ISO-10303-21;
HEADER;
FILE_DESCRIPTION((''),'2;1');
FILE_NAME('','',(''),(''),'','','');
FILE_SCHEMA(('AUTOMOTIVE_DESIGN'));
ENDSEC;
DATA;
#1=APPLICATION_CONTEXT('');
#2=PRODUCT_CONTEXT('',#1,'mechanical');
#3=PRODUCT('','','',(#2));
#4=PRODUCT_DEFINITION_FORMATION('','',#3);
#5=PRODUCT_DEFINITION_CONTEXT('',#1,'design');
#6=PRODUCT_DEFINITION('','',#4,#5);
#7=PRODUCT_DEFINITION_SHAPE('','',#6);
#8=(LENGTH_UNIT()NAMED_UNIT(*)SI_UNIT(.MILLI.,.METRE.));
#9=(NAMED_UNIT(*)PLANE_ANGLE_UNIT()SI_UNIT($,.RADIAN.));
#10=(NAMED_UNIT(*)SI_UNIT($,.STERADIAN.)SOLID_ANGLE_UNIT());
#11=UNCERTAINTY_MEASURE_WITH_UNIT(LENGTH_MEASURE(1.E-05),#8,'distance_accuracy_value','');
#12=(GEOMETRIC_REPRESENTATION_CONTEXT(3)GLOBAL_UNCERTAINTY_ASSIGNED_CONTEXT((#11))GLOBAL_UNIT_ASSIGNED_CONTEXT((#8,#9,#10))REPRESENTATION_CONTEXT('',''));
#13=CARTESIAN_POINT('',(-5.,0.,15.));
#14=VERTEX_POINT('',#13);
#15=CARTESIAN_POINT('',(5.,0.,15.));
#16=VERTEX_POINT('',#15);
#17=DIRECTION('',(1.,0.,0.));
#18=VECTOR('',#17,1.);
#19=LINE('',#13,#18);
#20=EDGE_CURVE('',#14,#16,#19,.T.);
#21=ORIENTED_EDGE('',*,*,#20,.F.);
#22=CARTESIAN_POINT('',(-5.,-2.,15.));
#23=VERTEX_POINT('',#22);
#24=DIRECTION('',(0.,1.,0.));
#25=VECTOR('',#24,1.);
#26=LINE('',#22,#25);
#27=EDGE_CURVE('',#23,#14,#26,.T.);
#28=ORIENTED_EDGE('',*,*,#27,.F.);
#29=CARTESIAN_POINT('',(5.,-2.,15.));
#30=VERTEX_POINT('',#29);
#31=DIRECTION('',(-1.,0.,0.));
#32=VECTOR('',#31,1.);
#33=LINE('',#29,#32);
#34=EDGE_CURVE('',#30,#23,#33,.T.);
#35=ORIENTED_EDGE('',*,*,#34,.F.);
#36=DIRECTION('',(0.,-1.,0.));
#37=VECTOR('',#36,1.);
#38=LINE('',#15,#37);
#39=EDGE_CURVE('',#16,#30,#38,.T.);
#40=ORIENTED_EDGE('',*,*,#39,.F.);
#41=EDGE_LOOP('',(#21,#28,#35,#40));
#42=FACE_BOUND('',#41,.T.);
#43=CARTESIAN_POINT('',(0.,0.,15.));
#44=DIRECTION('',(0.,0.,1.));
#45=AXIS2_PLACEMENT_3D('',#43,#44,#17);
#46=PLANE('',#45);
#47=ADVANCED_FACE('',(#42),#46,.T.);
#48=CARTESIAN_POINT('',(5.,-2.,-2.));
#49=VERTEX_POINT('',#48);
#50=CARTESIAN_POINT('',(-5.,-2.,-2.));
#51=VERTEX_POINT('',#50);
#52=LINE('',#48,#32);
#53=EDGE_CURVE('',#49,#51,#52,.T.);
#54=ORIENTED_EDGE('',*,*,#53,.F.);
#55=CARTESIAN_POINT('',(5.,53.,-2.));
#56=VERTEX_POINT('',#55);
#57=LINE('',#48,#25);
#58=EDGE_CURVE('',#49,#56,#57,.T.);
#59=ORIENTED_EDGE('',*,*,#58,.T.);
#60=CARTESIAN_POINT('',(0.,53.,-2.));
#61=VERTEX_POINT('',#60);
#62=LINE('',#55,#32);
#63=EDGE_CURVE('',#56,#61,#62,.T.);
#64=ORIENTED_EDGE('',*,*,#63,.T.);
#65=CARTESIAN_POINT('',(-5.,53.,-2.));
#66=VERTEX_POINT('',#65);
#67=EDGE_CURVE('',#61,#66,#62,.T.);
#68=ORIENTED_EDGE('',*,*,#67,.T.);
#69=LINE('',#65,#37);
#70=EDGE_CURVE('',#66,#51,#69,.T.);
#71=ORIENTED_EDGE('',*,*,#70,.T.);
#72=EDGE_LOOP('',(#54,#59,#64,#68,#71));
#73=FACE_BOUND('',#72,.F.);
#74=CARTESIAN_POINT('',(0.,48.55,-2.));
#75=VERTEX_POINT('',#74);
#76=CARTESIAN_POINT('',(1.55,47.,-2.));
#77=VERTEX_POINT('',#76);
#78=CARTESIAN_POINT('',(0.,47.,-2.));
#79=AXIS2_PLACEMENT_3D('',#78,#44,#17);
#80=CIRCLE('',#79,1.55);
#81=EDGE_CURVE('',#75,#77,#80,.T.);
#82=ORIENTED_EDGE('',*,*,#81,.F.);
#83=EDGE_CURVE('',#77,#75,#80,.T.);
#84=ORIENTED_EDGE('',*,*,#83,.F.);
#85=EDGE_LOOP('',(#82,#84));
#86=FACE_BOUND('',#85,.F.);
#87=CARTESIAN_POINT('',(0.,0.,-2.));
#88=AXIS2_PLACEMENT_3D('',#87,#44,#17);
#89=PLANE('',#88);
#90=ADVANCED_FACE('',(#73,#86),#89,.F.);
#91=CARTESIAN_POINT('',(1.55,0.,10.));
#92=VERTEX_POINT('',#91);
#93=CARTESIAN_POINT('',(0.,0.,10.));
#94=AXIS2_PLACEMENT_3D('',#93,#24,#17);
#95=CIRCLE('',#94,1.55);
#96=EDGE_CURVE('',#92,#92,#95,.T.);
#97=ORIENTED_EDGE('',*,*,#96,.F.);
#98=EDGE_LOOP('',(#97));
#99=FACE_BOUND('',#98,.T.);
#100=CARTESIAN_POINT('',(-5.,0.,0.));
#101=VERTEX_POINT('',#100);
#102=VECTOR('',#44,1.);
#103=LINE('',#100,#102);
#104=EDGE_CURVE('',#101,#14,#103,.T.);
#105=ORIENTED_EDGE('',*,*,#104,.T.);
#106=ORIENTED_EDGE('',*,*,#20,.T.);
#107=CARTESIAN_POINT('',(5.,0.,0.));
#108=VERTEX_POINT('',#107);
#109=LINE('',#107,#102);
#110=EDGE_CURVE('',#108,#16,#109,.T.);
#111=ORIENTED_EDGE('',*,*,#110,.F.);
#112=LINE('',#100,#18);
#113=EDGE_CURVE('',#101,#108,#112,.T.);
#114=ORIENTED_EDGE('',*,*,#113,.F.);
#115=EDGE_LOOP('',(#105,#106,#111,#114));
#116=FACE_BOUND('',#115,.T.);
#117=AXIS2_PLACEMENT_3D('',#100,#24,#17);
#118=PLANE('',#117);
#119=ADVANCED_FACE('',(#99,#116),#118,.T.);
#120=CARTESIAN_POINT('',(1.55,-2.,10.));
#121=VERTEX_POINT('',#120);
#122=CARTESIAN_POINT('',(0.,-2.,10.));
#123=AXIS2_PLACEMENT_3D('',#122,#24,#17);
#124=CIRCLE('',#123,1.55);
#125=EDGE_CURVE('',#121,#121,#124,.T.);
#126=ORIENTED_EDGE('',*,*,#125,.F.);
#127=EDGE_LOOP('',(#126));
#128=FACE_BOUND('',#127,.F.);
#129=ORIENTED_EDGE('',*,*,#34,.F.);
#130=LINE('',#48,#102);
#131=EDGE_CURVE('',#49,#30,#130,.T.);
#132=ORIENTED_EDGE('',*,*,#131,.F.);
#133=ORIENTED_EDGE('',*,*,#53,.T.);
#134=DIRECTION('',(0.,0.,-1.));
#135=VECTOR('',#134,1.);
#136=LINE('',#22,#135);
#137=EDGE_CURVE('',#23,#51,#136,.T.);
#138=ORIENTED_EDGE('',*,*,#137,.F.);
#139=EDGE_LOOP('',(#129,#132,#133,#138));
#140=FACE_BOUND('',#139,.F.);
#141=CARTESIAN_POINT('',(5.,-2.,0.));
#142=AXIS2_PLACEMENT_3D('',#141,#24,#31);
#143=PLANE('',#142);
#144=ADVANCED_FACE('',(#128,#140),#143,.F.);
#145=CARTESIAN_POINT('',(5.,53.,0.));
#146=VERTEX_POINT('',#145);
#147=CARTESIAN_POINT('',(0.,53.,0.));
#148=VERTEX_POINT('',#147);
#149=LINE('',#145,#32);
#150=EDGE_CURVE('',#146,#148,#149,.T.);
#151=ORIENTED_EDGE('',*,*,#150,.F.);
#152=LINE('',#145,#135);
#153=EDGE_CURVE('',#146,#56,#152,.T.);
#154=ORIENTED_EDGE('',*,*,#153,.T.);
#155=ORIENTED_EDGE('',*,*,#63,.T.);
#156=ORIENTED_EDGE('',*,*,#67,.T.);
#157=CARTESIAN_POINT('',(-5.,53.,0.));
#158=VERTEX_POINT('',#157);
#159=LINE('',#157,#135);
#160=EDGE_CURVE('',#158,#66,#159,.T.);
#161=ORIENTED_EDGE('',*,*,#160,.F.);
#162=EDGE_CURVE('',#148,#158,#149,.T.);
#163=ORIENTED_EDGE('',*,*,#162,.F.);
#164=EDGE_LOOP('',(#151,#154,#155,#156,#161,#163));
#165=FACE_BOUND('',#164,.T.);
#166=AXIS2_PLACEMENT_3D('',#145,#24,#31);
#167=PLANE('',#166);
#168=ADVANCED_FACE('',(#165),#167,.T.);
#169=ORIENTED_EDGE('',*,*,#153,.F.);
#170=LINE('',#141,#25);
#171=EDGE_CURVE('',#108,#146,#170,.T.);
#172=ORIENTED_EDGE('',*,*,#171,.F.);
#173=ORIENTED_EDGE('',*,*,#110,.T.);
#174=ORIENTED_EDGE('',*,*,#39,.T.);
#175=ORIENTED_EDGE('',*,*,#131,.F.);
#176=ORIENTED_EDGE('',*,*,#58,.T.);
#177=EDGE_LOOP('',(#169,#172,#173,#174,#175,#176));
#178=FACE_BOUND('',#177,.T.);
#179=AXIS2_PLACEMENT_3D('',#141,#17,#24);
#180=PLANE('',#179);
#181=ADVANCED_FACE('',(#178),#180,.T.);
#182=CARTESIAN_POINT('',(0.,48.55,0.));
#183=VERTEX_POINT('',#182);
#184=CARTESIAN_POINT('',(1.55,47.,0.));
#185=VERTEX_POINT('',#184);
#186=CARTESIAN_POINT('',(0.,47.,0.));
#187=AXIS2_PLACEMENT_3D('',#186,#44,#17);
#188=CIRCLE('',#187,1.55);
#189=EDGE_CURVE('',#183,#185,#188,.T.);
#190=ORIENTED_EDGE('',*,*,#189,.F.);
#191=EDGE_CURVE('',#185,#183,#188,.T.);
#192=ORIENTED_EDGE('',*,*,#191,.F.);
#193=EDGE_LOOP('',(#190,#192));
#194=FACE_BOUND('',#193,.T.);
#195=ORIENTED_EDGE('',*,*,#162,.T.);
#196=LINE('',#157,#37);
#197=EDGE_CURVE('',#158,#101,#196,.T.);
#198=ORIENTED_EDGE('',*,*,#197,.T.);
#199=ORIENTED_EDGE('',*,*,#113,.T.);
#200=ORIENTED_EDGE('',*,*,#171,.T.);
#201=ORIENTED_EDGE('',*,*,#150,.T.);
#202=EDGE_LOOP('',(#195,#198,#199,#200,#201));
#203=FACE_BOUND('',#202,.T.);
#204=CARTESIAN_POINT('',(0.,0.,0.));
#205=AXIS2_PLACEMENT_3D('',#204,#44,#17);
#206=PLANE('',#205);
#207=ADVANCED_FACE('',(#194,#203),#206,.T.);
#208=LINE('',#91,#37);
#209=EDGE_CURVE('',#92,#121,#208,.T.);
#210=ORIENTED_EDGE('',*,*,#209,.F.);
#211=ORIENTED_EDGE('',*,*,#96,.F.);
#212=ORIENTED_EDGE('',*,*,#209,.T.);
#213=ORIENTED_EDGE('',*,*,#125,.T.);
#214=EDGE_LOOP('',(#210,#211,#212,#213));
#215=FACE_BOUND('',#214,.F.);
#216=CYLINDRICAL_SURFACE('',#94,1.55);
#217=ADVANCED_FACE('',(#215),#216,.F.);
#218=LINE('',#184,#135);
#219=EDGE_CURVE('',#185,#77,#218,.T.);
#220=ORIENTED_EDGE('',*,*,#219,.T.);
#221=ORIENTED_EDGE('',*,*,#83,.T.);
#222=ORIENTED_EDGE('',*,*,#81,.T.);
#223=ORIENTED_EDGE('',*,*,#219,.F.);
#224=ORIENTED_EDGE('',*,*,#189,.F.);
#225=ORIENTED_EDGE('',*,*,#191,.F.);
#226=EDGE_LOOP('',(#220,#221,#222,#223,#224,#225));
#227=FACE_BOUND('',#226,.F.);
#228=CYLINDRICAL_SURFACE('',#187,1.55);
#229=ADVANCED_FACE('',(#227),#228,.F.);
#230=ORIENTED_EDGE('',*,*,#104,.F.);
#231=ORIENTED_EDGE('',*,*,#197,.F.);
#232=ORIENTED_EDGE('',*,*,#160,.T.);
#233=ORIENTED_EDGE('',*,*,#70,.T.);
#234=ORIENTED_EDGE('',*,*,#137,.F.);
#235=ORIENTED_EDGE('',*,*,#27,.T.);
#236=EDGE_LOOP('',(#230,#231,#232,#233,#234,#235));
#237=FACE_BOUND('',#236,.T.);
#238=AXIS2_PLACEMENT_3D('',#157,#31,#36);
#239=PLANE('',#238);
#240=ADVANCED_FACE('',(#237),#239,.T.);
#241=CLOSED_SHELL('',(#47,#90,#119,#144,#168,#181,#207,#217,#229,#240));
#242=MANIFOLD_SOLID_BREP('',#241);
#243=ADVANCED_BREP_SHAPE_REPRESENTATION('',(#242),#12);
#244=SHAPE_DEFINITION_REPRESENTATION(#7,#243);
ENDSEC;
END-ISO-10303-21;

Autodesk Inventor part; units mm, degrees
ref_plane "YZ Plane" through (0, 0, 0) normal (1, 0, 0) x (0, 1, 0)
ref_plane "XZ Plane" through (0, 0, 0) normal (0, 1, 0) x (-1, 0, 0)
ref_plane "XY Plane" through (0, 0, 0) normal (0, 0, 1) x (1, 0, 0)
sketch "Sketch1" plane through (0, 0, 0) normal (0, 0, 1) x (1, 0, 0)
  line L0 (5, -2) -> (-5, -2)
  line L1 (5, -2) -> (5, 53)
  line L2 (5, 53) -> (-5, 53)
  line L3 (-5, 53) -> (-5, -2)
  line L4 (0, 53) -> (0, 47)
  circle A0 centre (0, 47) radius 1.55
  point P0 (0, 0)
  dimension "d3" = 2
  dimension "d16" = 55
  dimension "d17" = 10
  dimension "d18" = 6
  dimension "d19" = 3.1
extrude "Extrusion1" add sketch "Sketch1" against normal blind 2
sketch "Sketch2" plane through (0, 0, 0) normal (0, 0, 1) x (1, 0, 0)
  line L0 (-5, 0) -> (5, 0)
  line L1 (5, 0) -> (5, -2)
  line L2 (5, -2) -> (-5, -2)
  line L3 (-5, -2) -> (-5, 0)
  point P0 (0, 0)
extrude "Extrusion2" add sketch "Sketch2" along normal blind 15
sketch "Sketch3" plane through (-5, 0, 0) normal (0, 1, 0) x (1, 0, 0)
  circle A0 centre (5, -10) radius 1.55
  line L0 (10, -15) -> (0, -15) projected
  point P0 (5, 0)
  dimension "d11" = 3.1
  dimension "d15" = 5
extrude "Extrusion3" cut sketch "Sketch3" against normal blind 2
properties part number "spacer tutup"
